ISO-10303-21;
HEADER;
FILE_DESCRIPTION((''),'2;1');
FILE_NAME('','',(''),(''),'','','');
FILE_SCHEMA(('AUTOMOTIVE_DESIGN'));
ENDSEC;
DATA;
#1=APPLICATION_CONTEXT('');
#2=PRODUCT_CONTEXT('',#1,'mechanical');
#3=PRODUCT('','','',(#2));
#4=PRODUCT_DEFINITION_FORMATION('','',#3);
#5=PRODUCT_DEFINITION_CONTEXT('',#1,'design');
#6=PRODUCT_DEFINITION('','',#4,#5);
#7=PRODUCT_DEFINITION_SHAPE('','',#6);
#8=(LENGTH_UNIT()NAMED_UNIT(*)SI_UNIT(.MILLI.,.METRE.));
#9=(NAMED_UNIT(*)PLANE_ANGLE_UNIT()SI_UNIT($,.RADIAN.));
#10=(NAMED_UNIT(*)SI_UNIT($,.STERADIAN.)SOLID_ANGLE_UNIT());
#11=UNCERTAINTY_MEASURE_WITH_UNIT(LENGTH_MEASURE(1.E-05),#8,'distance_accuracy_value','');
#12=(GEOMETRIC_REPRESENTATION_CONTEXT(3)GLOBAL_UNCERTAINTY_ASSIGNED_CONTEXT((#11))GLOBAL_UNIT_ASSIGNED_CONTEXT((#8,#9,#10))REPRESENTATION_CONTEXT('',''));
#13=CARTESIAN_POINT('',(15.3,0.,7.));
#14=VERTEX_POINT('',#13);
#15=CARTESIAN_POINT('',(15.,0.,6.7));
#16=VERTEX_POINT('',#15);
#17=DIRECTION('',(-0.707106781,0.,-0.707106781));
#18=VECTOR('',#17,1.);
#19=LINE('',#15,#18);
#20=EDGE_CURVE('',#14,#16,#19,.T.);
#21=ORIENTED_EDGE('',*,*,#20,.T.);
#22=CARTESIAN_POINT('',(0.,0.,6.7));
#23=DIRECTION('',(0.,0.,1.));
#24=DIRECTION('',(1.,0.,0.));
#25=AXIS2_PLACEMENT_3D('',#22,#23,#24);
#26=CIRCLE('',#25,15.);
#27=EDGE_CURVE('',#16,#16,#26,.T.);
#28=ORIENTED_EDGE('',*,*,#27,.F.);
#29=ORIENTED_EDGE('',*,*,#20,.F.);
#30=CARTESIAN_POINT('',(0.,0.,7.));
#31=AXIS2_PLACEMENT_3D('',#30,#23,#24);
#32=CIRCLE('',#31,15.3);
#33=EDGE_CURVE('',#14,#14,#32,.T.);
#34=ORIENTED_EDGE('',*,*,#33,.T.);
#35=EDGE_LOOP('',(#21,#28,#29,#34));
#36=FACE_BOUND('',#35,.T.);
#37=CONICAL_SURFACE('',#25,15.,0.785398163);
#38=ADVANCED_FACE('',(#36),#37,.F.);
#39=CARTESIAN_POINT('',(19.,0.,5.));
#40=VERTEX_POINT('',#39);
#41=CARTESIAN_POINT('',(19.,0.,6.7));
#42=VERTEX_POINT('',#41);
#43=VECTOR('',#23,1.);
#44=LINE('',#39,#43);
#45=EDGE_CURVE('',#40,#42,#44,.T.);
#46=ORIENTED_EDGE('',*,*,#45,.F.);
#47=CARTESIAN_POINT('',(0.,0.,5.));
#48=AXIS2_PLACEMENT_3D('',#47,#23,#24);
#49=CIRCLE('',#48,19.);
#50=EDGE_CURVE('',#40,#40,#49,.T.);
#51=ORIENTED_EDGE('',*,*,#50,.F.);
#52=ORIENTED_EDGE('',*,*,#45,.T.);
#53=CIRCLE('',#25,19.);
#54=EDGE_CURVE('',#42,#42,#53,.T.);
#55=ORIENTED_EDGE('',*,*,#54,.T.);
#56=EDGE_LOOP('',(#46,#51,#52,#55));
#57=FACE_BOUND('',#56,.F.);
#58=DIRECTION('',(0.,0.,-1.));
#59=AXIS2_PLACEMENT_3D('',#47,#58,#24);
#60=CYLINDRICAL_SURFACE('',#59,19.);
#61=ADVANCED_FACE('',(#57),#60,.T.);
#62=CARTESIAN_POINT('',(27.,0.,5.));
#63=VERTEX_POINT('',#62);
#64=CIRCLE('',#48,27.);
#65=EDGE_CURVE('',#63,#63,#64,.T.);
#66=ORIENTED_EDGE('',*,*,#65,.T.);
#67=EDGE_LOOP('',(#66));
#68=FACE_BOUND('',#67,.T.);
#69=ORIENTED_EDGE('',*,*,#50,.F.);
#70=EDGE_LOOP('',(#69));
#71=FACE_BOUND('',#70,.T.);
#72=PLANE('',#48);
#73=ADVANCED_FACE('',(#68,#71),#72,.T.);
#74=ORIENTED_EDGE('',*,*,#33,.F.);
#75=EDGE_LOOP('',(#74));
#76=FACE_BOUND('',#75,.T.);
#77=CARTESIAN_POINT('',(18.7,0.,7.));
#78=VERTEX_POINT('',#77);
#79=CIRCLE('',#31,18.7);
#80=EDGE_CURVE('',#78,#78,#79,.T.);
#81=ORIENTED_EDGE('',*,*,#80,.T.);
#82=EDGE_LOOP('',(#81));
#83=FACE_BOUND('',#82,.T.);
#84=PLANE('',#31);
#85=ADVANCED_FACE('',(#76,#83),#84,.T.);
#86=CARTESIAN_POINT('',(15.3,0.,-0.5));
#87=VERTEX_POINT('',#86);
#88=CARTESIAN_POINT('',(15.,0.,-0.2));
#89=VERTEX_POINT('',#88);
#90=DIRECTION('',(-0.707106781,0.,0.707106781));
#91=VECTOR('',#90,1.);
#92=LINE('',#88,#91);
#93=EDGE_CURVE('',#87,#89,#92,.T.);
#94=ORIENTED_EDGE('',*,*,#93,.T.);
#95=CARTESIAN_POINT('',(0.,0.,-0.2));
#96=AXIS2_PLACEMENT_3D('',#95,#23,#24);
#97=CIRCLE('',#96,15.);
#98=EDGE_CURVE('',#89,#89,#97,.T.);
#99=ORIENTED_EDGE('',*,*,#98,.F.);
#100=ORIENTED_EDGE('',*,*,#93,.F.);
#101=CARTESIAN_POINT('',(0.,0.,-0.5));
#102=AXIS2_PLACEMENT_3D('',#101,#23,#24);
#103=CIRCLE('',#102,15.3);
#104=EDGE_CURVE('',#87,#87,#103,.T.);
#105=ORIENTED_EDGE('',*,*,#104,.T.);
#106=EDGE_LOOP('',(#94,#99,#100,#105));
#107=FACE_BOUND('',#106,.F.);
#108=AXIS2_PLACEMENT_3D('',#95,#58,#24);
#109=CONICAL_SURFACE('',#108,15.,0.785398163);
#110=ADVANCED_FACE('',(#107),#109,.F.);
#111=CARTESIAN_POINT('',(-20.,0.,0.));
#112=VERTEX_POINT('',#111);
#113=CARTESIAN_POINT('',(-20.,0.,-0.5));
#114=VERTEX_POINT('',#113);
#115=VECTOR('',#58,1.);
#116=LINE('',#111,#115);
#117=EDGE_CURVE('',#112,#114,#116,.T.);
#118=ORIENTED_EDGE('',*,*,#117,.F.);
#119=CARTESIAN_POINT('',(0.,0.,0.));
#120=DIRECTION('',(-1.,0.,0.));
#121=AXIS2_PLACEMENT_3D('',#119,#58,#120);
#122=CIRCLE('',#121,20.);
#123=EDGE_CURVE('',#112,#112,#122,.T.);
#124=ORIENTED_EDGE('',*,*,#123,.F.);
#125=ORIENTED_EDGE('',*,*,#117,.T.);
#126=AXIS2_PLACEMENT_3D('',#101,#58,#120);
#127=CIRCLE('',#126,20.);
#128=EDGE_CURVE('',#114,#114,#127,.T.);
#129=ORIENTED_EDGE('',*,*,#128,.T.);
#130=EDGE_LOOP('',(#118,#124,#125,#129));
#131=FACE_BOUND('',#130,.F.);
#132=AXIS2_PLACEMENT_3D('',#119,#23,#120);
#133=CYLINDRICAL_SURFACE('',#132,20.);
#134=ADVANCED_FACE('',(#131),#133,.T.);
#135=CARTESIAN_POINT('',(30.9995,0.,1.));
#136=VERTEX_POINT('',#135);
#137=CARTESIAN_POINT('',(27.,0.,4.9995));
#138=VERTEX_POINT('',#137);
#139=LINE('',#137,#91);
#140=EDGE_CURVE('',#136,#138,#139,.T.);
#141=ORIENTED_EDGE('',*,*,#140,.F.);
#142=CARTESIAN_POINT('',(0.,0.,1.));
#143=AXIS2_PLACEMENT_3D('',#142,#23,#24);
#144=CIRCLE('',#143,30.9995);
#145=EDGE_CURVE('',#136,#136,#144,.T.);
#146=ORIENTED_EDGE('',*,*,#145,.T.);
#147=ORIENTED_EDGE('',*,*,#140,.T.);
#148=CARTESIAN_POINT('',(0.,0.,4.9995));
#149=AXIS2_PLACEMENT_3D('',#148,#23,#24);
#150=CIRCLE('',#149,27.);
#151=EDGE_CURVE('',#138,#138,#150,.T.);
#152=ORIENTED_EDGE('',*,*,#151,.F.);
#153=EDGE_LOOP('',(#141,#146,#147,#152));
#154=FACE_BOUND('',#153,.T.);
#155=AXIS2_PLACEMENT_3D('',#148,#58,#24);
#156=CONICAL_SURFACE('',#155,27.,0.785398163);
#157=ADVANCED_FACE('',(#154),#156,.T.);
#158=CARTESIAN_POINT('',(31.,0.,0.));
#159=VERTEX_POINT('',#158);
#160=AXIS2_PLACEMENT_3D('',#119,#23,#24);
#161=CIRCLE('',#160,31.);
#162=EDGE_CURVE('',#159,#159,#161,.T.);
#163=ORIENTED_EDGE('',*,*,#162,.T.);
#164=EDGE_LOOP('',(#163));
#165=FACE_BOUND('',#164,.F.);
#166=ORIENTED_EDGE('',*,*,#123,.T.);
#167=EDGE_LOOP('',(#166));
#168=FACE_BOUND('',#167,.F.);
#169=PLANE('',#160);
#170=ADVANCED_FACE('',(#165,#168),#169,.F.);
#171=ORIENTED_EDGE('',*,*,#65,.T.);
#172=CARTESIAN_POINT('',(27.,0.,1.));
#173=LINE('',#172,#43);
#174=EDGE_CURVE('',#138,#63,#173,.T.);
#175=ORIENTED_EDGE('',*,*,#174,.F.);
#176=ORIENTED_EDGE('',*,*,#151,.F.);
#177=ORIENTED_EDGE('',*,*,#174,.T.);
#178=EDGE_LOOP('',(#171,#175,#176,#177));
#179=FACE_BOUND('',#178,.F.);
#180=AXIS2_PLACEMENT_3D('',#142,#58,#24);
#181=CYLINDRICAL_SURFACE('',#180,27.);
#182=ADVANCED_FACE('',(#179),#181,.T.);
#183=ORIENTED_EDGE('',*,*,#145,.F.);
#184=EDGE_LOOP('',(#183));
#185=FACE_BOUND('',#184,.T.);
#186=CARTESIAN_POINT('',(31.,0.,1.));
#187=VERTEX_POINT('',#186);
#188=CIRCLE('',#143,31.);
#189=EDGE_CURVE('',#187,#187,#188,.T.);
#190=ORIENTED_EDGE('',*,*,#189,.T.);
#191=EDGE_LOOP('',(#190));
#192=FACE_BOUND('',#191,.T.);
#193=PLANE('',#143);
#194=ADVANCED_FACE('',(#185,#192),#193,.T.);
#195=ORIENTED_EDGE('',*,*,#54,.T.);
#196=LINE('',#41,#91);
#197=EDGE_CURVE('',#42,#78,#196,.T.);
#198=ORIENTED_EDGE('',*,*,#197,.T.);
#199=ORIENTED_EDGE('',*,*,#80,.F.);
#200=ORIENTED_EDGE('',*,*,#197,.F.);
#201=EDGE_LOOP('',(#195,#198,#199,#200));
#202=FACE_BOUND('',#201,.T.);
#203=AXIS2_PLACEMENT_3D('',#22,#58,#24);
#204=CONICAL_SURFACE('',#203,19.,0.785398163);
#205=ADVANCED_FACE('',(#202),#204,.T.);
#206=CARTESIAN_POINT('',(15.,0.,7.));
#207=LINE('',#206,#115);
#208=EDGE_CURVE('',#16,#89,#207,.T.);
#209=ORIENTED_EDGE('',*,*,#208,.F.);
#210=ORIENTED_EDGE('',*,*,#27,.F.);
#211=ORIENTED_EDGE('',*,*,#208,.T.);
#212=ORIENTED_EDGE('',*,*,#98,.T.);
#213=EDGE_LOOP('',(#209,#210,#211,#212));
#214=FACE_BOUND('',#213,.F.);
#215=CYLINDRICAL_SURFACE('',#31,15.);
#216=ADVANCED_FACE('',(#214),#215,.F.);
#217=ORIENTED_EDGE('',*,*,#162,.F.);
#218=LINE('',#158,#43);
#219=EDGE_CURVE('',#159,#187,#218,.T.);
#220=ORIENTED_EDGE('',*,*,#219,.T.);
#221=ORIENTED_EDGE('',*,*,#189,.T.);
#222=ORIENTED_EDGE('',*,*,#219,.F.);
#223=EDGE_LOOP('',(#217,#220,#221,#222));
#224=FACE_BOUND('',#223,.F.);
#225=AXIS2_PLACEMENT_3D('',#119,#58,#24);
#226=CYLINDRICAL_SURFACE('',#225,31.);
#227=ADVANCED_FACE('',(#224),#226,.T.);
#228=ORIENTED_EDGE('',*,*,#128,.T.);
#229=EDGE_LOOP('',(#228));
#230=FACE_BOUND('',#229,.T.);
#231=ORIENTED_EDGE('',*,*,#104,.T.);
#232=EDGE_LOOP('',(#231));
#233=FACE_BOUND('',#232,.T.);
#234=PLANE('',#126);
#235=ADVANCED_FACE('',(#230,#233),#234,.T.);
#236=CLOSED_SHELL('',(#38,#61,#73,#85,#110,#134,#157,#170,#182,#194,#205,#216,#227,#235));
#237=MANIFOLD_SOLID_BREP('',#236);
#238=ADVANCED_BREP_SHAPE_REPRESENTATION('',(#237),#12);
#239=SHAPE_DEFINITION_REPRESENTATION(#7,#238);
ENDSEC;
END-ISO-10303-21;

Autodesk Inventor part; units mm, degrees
ref_plane "YZ Plane" through (0, 0, 0) normal (1, 0, 0) x (0, 1, 0)
ref_plane "XZ Plane" through (0, 0, 0) normal (0, 1, 0) x (-1, 0, 0)
ref_plane "XY Plane" through (0, 0, 0) normal (0, 0, 1) x (1, 0, 0)
sketch "草圖1" plane through (0, 0, 0) normal (0, 0, 1) x (1, 0, 0)
  circle A0 centre (0, 0) radius 31
  dimension "d0" = 62
extrude "擠出1" add sketch "草圖1" along normal blind 1
sketch "草圖2" plane through (0, 0, 1) normal (0, 0, 1) x (1, 0, 0)
  circle A0 centre (0, 0) radius 31 projected
  circle A1 centre (0, 0) radius 27
  dimension "d3" = 54
extrude "擠出2" add sketch "草圖2" along normal blind 4 contours A1
sketch "草圖3" plane through (0, 0, 5) normal (0, 0, 1) x (1, 0, 0)
  circle A0 centre (0, 0) radius 27 projected
  circle A1 centre (0, 0) radius 19
  dimension "d6" = 38
extrude "擠出3" add sketch "草圖3" along normal blind 2 contours A1
sketch "草圖4" plane through (0, 0, 0) normal (0, 0, -1) x (-1, 0, 0)
  circle A0 centre (0, 0) radius 31 projected
  circle A1 centre (0, 0) radius 20
  dimension "d9" = 40
extrude "擠出4" add sketch "草圖4" along normal blind 0.5 contours A1
sketch "草圖5" plane through (0, 0, 7) normal (0, 0, 1) x (1, 0, 0)
  circle A0 centre (0, 0) radius 19 projected
  circle A1 centre (0, 0) radius 15
  dimension "d12" = 30
extrude "擠出5" cut sketch "草圖5" against normal through all contours A1
chamfer "倒角1" distance 4 angle 45 1 edges at (-27, 0, 1)
chamfer "倒角2" distance 0.3 angle 45 3 edges at (-15, 0, 7) (-15, 0, -0.5) (-19, 0, 7)
properties part number "KM-20140709-07-Kashiyama 機械油封墊片(T=7.5)"
